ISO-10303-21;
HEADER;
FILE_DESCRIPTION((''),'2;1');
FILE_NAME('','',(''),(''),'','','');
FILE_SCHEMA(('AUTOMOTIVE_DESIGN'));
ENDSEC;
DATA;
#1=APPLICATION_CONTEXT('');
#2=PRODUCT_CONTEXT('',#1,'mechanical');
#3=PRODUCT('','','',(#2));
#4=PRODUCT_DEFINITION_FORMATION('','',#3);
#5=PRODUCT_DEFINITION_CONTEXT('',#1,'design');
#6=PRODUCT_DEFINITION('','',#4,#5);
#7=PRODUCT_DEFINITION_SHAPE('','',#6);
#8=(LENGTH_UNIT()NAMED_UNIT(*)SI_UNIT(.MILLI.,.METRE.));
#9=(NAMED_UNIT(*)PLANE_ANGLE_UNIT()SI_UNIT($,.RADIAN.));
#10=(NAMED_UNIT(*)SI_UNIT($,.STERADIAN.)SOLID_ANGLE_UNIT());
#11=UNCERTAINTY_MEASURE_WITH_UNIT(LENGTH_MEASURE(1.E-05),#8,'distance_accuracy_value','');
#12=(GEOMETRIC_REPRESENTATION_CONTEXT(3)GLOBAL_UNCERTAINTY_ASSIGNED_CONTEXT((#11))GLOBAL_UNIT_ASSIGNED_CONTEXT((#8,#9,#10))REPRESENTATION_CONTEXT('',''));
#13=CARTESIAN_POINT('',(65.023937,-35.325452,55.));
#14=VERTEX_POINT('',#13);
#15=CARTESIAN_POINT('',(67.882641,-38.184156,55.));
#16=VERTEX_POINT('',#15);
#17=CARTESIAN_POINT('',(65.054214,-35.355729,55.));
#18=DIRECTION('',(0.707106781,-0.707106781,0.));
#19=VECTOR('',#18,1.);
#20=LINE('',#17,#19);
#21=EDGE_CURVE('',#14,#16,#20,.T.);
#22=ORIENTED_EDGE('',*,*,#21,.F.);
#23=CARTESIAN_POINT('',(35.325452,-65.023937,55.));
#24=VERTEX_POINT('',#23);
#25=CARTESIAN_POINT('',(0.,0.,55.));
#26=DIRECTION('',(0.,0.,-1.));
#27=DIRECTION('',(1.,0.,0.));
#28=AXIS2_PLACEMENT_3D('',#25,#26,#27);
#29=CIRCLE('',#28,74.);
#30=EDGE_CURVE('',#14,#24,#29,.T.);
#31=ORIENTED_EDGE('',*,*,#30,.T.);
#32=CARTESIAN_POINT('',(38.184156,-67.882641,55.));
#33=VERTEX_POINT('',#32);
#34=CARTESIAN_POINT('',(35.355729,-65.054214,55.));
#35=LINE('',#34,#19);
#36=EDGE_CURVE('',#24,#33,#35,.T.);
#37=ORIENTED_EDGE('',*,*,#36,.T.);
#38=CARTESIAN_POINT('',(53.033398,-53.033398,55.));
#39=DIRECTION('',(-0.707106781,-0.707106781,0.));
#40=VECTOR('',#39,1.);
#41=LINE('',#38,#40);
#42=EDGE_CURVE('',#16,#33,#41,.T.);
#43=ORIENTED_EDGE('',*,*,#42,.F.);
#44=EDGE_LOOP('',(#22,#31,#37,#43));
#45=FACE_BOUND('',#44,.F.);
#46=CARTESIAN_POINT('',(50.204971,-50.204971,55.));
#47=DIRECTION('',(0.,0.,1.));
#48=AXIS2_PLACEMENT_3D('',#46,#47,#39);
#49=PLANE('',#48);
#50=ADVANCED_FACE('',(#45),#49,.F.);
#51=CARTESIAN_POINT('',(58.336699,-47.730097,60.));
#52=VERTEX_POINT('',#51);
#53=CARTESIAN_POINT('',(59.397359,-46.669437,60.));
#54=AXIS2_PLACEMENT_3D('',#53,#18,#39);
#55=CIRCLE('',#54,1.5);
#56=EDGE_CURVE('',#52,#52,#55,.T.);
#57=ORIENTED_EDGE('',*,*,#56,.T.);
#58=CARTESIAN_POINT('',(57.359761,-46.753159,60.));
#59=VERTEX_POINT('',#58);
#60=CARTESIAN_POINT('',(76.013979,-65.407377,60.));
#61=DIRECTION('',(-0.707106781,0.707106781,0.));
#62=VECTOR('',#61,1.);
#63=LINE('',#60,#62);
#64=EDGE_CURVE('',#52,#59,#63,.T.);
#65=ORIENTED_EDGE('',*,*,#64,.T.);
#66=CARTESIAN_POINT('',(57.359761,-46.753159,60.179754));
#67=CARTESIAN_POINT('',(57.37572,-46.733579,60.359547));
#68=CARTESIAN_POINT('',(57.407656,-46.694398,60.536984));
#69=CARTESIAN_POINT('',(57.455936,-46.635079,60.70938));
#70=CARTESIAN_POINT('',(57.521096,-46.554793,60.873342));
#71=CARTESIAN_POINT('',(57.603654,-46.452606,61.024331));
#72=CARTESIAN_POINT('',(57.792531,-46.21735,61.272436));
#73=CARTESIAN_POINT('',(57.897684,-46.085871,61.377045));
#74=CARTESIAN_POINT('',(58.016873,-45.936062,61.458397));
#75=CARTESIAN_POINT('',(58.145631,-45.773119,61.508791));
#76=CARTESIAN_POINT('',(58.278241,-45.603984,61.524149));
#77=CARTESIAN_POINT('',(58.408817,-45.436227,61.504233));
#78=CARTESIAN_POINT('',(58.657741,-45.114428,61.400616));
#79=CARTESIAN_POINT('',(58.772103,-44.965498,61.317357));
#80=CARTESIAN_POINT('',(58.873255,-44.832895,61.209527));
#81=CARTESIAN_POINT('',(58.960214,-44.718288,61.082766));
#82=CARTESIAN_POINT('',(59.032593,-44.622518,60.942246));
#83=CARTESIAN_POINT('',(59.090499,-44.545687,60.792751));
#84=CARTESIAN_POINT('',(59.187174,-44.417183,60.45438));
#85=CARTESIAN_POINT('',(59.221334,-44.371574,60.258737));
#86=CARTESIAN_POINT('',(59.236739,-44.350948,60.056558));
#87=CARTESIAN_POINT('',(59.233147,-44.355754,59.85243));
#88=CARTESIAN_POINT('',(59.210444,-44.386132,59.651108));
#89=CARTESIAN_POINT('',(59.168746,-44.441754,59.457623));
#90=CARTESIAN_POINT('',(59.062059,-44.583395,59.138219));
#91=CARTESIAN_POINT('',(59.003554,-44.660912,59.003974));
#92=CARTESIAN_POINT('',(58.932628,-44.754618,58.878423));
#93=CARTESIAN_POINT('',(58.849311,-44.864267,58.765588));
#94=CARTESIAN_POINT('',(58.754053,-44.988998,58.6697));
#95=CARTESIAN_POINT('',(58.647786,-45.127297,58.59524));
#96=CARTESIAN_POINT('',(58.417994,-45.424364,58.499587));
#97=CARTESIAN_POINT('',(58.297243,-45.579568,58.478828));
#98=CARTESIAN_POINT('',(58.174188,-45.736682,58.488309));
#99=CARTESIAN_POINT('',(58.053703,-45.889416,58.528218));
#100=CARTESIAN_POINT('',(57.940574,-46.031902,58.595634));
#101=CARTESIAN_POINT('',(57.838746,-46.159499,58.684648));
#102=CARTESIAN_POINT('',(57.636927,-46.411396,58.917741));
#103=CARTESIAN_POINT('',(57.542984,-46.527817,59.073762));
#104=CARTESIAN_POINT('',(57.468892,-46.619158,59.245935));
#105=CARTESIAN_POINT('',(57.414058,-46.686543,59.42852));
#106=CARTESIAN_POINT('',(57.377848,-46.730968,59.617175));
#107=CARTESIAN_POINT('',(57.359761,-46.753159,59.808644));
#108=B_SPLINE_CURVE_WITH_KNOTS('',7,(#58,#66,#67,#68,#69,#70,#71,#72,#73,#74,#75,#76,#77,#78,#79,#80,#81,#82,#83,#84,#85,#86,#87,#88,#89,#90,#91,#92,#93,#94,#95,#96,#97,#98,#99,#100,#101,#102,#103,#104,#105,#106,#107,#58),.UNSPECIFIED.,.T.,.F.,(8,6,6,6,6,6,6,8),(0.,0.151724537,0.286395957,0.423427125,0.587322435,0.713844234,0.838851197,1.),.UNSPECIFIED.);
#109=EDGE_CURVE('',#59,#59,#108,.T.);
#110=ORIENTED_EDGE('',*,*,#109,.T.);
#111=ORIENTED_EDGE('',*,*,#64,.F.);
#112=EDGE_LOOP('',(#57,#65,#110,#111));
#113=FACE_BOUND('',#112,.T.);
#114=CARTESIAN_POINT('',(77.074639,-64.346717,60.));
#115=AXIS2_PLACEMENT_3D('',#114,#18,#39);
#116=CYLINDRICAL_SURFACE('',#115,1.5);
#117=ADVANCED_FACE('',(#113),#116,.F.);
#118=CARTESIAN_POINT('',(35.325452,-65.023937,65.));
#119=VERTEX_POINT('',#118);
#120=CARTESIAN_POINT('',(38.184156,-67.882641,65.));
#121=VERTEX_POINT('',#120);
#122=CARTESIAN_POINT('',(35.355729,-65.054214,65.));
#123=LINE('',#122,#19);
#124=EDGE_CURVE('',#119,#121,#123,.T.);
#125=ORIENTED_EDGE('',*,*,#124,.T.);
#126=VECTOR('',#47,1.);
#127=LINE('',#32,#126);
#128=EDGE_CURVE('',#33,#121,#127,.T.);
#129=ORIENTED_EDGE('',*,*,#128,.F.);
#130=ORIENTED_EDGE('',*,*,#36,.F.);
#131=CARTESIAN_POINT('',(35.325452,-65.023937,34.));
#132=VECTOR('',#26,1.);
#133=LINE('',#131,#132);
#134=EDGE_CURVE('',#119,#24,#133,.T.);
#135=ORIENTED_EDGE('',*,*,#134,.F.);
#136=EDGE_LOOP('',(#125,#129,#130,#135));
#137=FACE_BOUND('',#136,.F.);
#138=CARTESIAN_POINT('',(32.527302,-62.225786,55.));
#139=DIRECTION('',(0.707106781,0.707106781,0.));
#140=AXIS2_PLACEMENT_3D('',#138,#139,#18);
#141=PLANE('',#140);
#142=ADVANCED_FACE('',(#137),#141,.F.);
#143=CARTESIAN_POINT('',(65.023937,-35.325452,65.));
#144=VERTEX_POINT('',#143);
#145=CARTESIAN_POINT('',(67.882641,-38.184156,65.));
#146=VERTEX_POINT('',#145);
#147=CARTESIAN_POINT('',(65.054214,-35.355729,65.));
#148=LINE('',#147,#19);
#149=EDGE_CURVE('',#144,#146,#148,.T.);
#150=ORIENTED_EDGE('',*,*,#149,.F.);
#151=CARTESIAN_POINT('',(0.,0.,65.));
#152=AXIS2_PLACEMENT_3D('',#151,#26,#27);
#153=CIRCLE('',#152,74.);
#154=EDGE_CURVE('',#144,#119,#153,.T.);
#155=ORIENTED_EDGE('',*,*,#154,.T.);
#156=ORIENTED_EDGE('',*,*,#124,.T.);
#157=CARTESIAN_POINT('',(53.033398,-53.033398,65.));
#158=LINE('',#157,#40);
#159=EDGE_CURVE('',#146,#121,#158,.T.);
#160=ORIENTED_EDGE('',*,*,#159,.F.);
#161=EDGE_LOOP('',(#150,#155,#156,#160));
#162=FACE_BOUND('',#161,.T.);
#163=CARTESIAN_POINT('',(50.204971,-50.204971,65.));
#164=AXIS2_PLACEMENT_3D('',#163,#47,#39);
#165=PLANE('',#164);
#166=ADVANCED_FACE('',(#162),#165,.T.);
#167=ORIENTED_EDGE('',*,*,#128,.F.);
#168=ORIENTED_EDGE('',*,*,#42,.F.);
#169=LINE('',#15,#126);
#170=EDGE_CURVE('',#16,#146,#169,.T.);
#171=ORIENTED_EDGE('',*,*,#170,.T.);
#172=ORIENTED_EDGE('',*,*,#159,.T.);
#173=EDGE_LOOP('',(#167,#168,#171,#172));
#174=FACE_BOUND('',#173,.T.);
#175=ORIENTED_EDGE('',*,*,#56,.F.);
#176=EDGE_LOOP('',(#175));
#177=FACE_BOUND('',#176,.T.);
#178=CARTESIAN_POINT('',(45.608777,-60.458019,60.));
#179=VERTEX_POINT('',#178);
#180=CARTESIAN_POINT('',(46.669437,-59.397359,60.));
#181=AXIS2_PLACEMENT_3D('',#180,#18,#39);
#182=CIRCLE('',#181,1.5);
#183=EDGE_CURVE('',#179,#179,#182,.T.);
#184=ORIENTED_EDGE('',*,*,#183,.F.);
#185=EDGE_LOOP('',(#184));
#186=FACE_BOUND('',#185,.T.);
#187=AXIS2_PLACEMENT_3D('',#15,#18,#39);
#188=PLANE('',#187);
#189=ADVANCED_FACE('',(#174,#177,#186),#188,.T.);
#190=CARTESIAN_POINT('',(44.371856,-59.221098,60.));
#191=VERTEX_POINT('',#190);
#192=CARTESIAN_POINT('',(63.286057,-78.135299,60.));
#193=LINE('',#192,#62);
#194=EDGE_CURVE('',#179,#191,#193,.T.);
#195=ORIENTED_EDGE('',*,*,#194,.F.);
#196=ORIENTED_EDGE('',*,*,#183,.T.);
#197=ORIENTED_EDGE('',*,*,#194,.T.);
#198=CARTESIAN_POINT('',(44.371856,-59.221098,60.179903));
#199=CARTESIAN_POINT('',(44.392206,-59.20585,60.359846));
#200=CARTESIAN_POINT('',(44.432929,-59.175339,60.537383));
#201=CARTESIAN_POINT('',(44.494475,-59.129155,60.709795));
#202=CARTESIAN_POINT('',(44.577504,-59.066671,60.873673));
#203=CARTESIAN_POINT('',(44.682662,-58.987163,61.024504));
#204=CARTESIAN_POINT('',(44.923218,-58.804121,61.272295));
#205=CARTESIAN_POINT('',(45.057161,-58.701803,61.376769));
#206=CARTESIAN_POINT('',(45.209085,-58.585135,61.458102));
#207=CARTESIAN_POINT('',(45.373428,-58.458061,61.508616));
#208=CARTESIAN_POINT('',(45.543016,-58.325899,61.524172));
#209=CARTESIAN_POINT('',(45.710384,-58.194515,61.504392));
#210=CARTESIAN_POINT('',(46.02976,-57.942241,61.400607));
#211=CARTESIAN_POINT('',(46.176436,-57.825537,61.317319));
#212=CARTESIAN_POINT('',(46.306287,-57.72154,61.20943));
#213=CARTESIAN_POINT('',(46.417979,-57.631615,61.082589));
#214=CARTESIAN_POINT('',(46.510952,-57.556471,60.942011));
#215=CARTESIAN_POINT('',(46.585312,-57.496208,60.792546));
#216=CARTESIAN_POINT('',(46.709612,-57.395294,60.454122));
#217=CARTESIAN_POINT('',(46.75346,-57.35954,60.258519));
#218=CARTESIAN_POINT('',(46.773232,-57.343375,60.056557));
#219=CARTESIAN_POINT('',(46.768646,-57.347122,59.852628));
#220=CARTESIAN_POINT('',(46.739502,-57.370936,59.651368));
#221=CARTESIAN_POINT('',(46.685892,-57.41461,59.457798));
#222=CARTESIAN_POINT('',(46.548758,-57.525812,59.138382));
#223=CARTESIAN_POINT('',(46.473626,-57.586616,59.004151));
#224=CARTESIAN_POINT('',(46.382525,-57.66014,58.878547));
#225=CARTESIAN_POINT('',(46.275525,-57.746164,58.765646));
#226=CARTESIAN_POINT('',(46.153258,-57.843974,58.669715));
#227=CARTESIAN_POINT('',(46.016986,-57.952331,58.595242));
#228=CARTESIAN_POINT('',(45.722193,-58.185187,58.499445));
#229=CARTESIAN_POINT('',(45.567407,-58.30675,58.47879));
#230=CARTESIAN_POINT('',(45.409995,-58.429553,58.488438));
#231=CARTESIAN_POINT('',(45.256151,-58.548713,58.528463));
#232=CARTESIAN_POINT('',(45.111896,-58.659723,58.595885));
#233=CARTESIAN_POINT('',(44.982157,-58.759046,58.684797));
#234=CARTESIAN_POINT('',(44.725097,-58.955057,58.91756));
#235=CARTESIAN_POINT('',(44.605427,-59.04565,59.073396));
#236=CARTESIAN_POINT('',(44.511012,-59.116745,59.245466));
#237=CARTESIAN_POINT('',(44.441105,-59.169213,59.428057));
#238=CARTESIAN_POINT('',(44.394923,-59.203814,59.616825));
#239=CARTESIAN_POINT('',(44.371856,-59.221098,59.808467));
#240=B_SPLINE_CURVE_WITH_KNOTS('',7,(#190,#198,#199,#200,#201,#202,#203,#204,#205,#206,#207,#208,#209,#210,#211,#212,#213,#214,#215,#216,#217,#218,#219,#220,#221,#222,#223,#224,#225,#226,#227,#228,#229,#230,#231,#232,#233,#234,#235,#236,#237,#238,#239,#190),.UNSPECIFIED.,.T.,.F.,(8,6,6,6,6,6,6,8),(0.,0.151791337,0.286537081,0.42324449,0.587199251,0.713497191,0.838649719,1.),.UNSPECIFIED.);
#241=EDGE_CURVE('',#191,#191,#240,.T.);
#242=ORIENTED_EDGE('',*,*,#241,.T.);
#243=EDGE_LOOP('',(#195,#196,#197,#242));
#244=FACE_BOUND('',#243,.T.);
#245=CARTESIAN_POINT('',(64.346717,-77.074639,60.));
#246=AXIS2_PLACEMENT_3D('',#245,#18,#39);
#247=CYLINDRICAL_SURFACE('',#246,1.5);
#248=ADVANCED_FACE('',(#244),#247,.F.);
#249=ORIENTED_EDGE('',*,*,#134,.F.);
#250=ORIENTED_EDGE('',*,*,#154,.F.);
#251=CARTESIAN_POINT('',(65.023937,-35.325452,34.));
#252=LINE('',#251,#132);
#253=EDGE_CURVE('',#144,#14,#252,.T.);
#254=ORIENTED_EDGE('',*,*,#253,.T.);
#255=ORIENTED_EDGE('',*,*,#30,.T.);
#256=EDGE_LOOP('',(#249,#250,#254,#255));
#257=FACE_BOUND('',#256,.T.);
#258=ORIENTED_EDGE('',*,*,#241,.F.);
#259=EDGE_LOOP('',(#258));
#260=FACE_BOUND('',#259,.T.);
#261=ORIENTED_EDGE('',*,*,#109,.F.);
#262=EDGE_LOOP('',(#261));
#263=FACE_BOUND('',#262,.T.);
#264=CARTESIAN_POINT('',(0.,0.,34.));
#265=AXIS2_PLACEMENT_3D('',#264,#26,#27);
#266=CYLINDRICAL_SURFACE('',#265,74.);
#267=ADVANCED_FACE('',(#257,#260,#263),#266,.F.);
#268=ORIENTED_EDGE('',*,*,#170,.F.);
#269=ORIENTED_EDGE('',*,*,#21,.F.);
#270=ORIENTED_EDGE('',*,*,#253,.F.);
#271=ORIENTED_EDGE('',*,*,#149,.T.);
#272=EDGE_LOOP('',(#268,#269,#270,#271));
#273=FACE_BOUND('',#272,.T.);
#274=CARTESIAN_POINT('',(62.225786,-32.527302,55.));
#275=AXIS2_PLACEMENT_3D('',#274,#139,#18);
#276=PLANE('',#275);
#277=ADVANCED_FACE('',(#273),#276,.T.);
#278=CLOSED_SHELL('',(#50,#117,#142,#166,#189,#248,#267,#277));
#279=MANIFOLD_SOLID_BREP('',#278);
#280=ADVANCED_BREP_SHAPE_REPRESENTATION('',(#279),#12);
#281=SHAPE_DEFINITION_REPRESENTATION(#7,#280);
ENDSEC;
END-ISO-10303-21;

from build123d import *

# Parameters (mm, degrees)
CYLINDER1984_R               = 1.5
CYLINDER1984_DEPTH           = 50
COMPOUND1069_PLACEMENT_ANGLE = 225
CYLINDER1985_R               = 1.5
CYLINDER1985_DEPTH           = 50
COMPOUND1070_PLACEMENT_ANGLE = 225
CYLINDER1983_R               = 74
CYLINDER1983_DEPTH           = 40
BOX984_W                     = 42
BOX984_H                     = 8
BOX984_DEPTH                 = 10
COMPOUND1068_PLACEMENT_ANGLE = 225


with BuildPart() as compound1069:
    # Cylinder1984 → Cylinder1984 (new body)
    with BuildSketch(Plane(origin=(9, 100, 59), x_dir=(1, 0, 0), z_dir=(0, -1, 0))):
        Circle(CYLINDER1984_R)
    extrude(amount=CYLINDER1984_DEPTH)


with BuildPart() as compound1069_1:
    # Compound1069 placement: moved
    add(compound1069.part.rotate(Axis((0, 0, 0), (0, 0, 1)), COMPOUND1069_PLACEMENT_ANGLE))


with BuildPart() as compound1071:
    # Cylinder1985 → Cylinder1985 (new body)
    with BuildSketch(Plane(origin=(-9, 100, 59), x_dir=(1, 0, 0), z_dir=(0, -1, 0))):
        Circle(CYLINDER1985_R)
    extrude(amount=CYLINDER1985_DEPTH)


with BuildPart() as compound1071_1:
    # Compound1070 placement: moved
    add(compound1071.part.rotate(Axis((0, 0, 0), (0, 0, 1)), COMPOUND1070_PLACEMENT_ANGLE))

    # Compound1071: union Compound1069
    add(compound1069_1.part)


with BuildPart() as compound1071_2:
    # Compound1071 placement: moved
    add(compound1071_1.part.moved(Location((0, 0, 1))))


with BuildPart() as v_lec1983:
    # Cylinder1983 → Cylinder1983 (new body)
    with BuildSketch(Plane.XY.offset(44)):
        Circle(CYLINDER1983_R)
    extrude(amount=CYLINDER1983_DEPTH)


with BuildPart() as cut668:
    # Box984 → Box984 (new body)
    with BuildSketch(Plane(origin=(-21, -23, 22), x_dir=(1, 0, 0), z_dir=(0, 0, 1))):
        with Locations((21, 4)):
            Rectangle(BOX984_W, BOX984_H)
    extrude(amount=BOX984_DEPTH)


with BuildPart() as cut668_1:
    # Compound1068 placement: moved
    add(cut668.part.moved(Location((63.64, -63.64, 43))).rotate(Axis((63.64, -63.64, 43), (0, 0, 1)), COMPOUND1068_PLACEMENT_ANGLE))

    # Cut667: cut Válec1983
    add(v_lec1983.part, mode=Mode.SUBTRACT)


with BuildPart() as cut668_2:
    # Cut667 placement: moved
    add(cut668_1.part.moved(Location((0, 0, -10))))

    # Cut668: cut Compound1071
    add(compound1071_2.part, mode=Mode.SUBTRACT)


solid = cut668_2.part
